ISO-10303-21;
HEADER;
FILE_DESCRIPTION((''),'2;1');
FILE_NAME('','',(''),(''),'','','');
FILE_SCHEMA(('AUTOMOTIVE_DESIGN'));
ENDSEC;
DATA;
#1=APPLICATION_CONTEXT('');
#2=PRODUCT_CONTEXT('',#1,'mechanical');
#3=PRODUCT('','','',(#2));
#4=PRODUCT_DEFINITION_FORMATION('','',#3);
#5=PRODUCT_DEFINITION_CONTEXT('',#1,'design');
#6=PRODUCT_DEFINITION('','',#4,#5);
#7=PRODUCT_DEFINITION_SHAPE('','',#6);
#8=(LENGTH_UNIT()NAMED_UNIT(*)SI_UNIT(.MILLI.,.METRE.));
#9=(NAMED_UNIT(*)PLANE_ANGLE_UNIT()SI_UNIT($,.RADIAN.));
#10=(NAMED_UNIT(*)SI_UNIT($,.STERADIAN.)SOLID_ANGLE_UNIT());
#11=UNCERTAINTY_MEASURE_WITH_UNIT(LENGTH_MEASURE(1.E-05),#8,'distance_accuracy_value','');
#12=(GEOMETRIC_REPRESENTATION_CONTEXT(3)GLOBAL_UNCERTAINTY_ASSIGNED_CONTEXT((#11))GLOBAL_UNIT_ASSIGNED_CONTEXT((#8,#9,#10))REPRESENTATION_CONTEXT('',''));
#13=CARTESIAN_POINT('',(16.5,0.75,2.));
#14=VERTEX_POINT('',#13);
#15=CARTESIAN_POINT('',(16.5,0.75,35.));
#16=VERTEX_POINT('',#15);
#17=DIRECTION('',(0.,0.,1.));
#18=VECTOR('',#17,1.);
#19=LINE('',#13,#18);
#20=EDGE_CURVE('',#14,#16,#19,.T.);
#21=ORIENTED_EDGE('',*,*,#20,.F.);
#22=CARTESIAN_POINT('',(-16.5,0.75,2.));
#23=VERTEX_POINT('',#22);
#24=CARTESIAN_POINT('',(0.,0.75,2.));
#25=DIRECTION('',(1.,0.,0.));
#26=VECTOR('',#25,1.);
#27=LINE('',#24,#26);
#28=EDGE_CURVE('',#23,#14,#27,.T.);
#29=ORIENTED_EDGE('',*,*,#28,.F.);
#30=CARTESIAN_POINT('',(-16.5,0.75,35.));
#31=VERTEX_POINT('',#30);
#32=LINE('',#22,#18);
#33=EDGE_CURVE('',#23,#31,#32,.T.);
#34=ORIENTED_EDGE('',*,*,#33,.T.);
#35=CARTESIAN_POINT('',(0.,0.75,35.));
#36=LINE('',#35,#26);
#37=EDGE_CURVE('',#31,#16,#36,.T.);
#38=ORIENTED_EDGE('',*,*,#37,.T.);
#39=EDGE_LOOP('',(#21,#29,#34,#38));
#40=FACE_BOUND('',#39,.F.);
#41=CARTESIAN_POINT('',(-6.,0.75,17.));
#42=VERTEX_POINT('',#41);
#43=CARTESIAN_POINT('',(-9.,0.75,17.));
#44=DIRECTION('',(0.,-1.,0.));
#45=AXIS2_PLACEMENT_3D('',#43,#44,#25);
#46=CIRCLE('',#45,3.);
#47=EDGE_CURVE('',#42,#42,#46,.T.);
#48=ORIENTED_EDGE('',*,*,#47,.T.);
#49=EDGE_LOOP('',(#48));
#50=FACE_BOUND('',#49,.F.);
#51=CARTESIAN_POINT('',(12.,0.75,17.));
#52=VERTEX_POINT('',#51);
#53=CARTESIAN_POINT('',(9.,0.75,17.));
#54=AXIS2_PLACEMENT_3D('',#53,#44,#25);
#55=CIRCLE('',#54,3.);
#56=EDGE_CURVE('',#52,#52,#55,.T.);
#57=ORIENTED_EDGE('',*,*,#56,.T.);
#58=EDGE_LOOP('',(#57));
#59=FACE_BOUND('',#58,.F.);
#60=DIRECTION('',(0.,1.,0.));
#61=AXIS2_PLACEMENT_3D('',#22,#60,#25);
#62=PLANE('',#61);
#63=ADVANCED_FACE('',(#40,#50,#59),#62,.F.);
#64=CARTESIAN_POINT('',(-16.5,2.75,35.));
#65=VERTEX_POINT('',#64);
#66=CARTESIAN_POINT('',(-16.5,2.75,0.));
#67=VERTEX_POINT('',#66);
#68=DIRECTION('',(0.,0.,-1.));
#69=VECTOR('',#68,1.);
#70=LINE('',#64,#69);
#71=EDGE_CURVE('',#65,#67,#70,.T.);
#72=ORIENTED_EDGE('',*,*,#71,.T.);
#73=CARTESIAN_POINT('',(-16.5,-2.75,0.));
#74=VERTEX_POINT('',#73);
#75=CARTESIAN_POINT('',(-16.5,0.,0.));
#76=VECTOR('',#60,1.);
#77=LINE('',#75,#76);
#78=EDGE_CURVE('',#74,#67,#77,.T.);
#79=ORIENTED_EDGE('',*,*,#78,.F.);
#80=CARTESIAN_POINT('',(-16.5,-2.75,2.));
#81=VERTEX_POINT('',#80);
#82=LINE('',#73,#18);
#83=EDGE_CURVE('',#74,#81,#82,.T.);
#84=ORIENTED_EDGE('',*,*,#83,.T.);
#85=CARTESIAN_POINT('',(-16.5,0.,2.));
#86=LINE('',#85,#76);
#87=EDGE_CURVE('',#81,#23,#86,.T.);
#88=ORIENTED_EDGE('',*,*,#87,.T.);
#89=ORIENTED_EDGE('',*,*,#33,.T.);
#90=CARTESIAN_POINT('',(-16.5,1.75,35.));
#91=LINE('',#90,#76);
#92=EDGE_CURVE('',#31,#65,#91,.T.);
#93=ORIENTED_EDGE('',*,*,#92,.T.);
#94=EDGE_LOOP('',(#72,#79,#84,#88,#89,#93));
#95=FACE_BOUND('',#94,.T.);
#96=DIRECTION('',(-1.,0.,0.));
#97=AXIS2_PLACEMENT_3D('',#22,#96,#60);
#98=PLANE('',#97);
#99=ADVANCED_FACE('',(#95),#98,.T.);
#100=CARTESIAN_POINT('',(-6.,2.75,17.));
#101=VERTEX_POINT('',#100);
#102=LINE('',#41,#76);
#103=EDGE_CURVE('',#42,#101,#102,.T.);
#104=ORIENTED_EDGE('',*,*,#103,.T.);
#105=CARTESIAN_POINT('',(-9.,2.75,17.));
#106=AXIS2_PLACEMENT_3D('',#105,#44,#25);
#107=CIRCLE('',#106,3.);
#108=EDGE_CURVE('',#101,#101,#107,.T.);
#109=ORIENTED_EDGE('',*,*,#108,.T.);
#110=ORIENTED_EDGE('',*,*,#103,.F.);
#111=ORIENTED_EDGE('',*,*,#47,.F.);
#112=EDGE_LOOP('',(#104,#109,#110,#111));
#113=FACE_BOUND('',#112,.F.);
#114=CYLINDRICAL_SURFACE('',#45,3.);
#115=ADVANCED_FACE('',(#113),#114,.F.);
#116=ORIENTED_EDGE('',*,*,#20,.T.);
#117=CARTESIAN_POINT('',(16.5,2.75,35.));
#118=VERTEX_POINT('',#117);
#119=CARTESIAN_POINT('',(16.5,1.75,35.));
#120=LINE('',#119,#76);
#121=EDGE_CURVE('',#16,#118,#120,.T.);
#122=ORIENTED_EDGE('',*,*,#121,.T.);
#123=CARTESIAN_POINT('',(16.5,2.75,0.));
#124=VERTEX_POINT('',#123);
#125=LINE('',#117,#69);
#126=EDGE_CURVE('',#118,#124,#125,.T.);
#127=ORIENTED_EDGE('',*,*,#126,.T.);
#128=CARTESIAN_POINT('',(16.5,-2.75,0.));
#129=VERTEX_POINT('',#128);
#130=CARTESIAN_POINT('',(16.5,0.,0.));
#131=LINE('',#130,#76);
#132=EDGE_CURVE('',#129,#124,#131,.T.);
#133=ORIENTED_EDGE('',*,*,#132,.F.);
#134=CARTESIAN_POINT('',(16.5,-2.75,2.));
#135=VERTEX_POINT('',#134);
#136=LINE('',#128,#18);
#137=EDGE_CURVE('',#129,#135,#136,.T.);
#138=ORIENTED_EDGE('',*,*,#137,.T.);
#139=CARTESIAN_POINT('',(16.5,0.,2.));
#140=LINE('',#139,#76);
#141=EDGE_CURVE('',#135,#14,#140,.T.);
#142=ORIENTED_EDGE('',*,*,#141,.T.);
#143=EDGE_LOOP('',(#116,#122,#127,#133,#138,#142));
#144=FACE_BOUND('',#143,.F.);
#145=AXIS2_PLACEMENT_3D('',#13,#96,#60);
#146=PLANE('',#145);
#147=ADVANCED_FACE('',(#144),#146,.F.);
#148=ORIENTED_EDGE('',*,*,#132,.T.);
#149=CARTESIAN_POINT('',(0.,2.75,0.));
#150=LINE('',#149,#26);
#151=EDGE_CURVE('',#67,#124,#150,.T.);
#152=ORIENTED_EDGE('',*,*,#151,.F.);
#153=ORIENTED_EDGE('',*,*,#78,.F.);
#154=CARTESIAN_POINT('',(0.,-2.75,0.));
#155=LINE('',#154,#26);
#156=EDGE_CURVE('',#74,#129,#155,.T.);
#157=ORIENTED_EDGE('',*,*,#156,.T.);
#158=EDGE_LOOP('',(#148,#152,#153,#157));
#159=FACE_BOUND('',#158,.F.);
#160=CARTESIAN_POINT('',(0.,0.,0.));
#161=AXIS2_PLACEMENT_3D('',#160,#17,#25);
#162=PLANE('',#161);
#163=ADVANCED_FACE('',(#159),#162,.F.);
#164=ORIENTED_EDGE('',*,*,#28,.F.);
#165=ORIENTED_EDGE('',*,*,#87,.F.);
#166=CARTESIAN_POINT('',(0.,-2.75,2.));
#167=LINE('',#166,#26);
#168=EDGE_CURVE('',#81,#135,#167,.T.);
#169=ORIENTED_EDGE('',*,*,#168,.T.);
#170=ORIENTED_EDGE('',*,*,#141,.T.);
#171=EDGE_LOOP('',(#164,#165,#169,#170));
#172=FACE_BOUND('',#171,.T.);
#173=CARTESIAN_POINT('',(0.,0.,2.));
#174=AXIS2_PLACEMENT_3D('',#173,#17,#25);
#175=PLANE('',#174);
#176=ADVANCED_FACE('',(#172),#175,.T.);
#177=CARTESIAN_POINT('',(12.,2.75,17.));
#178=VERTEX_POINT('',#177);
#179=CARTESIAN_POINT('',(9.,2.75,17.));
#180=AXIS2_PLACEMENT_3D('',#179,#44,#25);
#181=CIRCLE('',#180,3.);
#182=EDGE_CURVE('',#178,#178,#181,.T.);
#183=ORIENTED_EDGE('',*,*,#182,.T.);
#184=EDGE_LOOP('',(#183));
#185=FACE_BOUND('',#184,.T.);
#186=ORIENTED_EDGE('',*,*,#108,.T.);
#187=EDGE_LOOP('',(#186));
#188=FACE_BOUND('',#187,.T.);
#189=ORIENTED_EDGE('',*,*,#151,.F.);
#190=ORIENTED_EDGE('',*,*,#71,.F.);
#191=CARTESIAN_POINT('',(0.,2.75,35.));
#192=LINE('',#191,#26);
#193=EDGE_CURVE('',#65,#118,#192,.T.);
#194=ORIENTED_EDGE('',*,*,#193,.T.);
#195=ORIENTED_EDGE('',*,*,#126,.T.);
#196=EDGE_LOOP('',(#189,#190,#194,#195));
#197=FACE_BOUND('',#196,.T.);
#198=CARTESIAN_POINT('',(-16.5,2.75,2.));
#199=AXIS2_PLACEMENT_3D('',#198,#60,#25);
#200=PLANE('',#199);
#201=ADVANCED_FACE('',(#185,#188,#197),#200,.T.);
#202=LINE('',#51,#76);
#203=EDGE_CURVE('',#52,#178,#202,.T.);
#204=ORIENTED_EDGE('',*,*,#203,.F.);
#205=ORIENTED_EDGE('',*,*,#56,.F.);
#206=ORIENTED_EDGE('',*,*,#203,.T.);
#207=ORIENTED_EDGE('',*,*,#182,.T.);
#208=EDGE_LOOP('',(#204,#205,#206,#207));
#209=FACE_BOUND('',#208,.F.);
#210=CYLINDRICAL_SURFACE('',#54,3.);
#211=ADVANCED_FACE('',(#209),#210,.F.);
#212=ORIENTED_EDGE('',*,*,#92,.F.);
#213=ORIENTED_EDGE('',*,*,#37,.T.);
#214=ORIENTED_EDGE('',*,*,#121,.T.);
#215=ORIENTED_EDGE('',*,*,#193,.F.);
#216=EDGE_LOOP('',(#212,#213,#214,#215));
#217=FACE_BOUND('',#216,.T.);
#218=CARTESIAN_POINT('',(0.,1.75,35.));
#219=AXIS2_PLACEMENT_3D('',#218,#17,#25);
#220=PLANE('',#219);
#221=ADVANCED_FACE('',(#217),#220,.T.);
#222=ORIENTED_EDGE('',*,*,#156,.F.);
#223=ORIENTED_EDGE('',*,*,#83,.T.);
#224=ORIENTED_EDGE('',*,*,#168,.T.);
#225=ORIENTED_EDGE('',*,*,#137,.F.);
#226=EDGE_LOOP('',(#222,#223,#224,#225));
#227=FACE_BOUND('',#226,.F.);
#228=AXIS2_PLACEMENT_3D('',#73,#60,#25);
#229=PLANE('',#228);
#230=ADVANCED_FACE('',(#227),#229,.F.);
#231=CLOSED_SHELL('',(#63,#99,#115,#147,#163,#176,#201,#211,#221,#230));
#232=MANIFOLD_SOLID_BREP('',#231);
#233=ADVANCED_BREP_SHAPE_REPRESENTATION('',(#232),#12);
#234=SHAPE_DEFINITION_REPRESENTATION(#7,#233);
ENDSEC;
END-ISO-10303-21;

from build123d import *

# Parameters (mm, degrees)
F0_W     = 33
F0_H     = 5.5
F1_DEPTH = 2
F2_W     = 33
F2_H     = 2
F3_DEPTH = 33
F4_R     = 3
F5_DEPTH = 2.001


with BuildPart() as f1:
    # F0 (on Top) → F1 (new body)
    with BuildSketch(Plane.XY):
        Rectangle(F0_W, F0_H)
    extrude(amount=F1_DEPTH)

    # F2 (on face) → F3 (join)
    with BuildSketch(Plane.XY.offset(2)):
        with Locations((0, 1.75)):
            Rectangle(F2_W, F2_H)
    extrude(amount=F3_DEPTH)

    # F4 (on face) → F5 (cut, through all)
    with BuildSketch(Plane.XZ.offset(-0.75)):
        with Locations((-9, 17)):
            Circle(F4_R)
        with Locations((9, 17)):
            Circle(F4_R)
    extrude(amount=-F5_DEPTH, mode=Mode.SUBTRACT)


solid = f1.part
